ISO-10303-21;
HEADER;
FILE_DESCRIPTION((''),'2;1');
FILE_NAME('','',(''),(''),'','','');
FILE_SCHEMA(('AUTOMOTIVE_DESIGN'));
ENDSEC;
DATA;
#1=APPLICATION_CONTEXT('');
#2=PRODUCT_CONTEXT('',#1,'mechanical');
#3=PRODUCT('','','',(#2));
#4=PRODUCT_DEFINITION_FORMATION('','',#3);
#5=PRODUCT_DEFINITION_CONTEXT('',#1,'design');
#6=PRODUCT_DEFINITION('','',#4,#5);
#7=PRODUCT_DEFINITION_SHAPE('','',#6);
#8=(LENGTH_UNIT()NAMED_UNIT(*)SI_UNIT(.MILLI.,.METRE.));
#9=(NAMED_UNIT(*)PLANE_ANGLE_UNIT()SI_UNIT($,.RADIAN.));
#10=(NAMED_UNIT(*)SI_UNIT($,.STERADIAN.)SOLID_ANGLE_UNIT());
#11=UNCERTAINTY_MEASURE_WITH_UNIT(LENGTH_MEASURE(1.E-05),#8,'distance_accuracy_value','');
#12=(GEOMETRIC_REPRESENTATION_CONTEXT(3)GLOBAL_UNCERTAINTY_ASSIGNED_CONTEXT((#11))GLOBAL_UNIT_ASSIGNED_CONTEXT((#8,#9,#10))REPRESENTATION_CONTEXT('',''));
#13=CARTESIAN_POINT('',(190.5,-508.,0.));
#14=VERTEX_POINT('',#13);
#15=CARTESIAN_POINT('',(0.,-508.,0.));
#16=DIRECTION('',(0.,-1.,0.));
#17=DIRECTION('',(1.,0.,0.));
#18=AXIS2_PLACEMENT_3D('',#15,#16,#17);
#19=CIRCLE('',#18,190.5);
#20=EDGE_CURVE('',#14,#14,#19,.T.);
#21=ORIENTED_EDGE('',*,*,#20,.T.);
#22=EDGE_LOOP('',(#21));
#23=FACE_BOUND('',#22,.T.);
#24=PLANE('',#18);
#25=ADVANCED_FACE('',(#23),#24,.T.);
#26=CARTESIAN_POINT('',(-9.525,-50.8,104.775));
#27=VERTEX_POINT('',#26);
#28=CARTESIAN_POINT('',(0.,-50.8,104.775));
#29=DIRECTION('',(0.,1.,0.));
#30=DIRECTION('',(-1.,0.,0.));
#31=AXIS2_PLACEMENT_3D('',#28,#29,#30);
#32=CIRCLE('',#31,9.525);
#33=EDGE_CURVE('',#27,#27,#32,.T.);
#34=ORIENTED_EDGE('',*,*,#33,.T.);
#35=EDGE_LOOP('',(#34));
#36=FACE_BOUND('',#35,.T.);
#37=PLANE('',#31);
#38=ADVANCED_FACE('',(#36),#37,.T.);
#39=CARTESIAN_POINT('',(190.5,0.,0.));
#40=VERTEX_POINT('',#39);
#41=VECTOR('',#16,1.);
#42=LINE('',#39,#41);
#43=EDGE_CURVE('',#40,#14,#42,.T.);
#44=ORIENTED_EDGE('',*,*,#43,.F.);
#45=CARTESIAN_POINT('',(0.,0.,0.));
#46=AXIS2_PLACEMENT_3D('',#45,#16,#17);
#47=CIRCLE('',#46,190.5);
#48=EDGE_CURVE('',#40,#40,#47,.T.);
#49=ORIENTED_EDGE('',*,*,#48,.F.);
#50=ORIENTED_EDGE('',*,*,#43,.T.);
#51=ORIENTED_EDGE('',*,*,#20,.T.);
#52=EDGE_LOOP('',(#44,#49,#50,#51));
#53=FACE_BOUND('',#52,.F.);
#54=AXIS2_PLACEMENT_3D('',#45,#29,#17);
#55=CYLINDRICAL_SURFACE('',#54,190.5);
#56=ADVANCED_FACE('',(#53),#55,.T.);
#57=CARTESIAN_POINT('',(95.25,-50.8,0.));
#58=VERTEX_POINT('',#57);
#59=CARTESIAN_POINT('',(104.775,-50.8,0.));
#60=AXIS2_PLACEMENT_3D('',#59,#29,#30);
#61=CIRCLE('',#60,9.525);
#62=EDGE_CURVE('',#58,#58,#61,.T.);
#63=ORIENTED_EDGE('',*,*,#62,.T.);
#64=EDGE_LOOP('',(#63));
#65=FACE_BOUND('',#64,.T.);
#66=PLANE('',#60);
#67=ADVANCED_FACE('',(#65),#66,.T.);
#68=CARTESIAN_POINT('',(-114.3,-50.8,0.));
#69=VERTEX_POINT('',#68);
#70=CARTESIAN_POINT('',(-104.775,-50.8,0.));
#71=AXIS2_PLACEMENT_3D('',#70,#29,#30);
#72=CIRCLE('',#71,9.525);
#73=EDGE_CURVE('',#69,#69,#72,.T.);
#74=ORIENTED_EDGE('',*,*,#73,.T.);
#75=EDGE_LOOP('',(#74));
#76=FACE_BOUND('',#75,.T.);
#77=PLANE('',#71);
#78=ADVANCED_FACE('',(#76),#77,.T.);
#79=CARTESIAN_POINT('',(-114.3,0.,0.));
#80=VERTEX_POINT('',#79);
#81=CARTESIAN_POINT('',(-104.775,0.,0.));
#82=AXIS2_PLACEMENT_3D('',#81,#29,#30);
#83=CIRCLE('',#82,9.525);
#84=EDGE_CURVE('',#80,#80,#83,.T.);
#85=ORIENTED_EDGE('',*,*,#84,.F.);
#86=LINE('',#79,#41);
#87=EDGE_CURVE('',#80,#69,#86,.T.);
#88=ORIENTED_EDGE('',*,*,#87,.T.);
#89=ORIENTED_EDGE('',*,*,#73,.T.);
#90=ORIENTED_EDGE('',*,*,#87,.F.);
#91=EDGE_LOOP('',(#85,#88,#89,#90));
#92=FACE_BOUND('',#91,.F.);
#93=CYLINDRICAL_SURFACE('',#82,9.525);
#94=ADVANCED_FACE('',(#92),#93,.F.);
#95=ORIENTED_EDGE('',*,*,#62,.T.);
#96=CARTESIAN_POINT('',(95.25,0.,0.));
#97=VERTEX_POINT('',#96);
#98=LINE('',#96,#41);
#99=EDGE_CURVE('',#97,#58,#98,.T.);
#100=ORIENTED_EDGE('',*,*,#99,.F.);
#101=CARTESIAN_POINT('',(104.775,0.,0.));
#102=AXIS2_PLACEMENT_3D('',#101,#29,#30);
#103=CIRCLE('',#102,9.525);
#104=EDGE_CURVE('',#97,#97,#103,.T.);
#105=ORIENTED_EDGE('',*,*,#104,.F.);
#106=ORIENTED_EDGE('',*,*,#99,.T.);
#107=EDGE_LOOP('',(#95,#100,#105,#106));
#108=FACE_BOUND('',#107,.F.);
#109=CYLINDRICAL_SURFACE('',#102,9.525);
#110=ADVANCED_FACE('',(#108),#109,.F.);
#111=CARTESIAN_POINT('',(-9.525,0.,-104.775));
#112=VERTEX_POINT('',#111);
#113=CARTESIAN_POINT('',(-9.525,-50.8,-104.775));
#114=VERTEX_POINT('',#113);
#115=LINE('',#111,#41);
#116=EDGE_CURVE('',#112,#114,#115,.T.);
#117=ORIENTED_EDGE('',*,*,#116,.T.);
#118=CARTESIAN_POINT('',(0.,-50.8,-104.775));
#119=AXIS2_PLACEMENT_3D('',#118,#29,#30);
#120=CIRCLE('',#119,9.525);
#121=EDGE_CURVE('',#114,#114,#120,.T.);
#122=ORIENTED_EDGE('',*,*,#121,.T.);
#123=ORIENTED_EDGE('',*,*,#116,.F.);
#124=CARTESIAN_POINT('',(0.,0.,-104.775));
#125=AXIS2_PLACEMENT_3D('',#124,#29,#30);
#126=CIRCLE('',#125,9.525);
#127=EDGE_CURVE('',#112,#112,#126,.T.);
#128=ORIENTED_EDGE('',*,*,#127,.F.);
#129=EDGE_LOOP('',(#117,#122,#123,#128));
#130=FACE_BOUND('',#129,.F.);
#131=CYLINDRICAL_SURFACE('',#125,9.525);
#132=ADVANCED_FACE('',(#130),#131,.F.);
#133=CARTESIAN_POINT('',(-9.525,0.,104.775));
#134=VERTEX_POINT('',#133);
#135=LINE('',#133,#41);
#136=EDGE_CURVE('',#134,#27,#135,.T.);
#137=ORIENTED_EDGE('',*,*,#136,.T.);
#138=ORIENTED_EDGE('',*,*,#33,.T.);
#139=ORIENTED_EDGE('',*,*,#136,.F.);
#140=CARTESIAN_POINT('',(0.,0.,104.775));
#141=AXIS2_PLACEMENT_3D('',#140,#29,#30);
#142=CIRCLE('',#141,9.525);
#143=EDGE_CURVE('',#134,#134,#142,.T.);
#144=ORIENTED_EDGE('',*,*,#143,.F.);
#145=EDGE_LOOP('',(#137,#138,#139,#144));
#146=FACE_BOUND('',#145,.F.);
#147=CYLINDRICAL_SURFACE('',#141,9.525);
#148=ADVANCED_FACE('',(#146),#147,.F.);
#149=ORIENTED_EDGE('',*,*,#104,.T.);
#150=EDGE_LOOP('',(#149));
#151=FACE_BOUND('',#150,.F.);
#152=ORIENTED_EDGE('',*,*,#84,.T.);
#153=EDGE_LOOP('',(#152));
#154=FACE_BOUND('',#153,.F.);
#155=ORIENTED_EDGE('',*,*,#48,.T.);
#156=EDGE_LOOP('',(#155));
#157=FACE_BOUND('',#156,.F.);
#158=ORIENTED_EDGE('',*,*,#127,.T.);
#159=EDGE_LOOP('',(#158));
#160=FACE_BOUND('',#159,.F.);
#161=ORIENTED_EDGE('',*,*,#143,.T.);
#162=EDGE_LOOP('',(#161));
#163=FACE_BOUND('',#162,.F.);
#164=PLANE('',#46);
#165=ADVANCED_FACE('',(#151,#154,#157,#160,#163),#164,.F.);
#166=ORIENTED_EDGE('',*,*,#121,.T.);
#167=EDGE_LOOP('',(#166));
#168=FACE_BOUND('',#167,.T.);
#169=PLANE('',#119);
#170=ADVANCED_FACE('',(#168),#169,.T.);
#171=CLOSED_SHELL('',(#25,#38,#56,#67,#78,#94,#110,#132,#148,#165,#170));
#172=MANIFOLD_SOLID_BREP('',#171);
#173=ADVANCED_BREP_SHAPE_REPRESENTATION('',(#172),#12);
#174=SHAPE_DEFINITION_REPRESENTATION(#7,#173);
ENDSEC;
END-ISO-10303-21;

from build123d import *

# Parameters (mm, degrees)
F0_R     = 190.5
F1_DEPTH = 508
F2_R     = 9.525
F3_DEPTH = 50.8


with BuildPart() as f1:
    # F0 (on Front) → F1 (new body)
    with BuildSketch(Plane.XZ):
        Circle(F0_R)
    extrude(amount=F1_DEPTH)

    # F2 (on face) → F3 (cut)
    with BuildSketch(Plane(origin=(0, 0, 0), x_dir=(-1, 0, 0), z_dir=(0, 1, 0))):
        with Locations((0, 104.775)):
            Circle(F2_R)
        with Locations((104.775, 0)):
            Circle(F2_R)
        with Locations((0, -104.775)):
            Circle(F2_R)
        with Locations((-104.775, 0)):
            Circle(F2_R)
    extrude(amount=-F3_DEPTH, mode=Mode.SUBTRACT)


solid = f1.part
